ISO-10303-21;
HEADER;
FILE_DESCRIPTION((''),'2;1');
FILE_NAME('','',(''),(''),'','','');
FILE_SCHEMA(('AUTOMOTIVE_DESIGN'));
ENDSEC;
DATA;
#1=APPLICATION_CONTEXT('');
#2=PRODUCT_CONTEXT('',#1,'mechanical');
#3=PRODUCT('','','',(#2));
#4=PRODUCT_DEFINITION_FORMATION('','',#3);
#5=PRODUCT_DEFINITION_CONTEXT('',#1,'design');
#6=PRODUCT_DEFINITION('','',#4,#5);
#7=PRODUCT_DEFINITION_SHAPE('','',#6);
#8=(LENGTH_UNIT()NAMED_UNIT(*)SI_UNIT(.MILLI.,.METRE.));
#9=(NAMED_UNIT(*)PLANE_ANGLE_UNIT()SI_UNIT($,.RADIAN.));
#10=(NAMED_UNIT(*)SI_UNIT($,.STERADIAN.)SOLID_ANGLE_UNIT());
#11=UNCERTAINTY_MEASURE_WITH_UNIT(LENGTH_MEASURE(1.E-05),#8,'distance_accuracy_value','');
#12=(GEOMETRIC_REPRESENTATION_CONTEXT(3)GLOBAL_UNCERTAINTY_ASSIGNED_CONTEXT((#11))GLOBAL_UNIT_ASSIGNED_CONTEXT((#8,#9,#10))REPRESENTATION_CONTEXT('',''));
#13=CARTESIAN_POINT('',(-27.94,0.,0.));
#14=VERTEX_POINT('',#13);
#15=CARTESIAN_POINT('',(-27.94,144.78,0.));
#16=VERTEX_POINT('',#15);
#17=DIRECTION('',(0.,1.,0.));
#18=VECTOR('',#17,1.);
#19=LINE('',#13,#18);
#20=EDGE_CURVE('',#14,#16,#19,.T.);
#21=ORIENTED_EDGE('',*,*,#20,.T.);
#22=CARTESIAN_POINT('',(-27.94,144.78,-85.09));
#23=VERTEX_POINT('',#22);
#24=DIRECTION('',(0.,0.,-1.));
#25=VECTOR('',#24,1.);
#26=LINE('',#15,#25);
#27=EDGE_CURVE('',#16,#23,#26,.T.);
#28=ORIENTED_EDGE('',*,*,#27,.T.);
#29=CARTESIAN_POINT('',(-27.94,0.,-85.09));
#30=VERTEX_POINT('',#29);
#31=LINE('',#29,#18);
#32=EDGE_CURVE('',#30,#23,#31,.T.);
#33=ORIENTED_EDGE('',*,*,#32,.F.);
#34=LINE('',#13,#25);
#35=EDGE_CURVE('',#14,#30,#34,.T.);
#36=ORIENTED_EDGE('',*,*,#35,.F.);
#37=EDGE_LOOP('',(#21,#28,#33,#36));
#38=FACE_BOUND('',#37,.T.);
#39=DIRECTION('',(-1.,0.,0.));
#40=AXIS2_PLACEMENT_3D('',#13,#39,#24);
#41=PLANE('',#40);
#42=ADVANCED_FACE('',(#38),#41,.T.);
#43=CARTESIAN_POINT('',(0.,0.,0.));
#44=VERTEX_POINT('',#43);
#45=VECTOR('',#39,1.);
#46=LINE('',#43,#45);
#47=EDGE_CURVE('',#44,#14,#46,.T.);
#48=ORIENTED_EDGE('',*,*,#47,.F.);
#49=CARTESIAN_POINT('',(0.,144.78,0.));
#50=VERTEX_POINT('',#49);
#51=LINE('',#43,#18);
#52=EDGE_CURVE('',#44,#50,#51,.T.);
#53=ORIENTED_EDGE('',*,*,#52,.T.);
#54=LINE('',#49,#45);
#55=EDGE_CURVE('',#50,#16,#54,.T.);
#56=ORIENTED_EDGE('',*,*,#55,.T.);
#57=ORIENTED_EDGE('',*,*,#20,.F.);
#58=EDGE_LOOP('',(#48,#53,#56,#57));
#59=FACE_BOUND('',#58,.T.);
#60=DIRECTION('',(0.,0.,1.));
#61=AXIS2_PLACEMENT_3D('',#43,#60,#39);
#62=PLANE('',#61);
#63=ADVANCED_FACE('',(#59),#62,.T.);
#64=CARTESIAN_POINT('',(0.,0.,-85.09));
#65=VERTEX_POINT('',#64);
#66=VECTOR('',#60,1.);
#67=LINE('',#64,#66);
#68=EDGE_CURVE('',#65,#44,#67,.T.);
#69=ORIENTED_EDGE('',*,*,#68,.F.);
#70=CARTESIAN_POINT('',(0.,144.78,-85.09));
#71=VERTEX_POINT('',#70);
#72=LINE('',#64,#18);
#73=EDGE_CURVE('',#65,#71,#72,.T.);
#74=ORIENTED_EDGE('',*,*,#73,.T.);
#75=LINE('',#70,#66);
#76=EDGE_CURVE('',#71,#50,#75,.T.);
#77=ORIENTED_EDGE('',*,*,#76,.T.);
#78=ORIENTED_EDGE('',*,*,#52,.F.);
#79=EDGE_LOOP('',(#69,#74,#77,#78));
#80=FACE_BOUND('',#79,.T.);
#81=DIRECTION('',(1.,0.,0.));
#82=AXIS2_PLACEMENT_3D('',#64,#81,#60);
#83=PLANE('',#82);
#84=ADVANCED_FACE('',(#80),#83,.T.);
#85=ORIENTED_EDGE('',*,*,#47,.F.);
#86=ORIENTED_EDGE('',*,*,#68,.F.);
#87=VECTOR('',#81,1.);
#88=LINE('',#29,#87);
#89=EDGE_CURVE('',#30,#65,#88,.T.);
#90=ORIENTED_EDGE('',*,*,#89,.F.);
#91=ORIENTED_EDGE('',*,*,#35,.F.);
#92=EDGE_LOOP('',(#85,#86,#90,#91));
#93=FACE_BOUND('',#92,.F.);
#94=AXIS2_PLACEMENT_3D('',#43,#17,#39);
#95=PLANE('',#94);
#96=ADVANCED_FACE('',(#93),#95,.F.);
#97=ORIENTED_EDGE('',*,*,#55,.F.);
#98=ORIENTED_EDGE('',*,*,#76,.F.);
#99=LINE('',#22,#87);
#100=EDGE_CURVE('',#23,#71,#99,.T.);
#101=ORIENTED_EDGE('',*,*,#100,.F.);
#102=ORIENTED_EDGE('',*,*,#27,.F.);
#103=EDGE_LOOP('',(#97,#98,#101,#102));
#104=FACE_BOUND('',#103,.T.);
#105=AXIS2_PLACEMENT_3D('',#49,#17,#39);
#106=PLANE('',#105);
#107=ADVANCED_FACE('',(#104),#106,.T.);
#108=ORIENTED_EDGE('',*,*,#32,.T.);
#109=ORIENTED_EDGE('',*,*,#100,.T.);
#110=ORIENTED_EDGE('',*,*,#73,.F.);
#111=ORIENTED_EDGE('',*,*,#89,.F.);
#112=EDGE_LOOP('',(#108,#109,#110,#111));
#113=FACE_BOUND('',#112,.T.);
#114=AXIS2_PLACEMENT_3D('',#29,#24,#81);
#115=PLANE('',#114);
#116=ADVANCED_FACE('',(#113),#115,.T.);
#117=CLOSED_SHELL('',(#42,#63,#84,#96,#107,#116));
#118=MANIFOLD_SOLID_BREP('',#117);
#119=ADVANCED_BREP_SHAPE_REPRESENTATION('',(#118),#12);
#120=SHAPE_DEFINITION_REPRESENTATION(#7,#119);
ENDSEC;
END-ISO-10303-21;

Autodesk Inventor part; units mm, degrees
ref_plane "YZ Plane" through (0, 0, 0) normal (1, 0, 0) x (0, 1, 0)
ref_plane "XZ Plane" through (0, 0, 0) normal (0, 1, 0) x (-1, 0, 0)
ref_plane "XY Plane" through (0, 0, 0) normal (0, 0, 1) x (1, 0, 0)
sketch "Sketch1" plane through (0, 0, 0) normal (0, 1, 0) x (-1, 0, 0)
  line L0 (0, 0) -> (27.94, 0)
  line L1 (27.94, 0) -> (27.94, -85.09)
  line L2 (27.94, -85.09) -> (0, -85.09)
  line L3 (0, -85.09) -> (0, 0)
  dimension "d0" = 85.09
  dimension "d1" = 27.94
extrude "Extrusion1" add sketch "Sketch1" along normal blind 144.78
properties part number "power_supply"
